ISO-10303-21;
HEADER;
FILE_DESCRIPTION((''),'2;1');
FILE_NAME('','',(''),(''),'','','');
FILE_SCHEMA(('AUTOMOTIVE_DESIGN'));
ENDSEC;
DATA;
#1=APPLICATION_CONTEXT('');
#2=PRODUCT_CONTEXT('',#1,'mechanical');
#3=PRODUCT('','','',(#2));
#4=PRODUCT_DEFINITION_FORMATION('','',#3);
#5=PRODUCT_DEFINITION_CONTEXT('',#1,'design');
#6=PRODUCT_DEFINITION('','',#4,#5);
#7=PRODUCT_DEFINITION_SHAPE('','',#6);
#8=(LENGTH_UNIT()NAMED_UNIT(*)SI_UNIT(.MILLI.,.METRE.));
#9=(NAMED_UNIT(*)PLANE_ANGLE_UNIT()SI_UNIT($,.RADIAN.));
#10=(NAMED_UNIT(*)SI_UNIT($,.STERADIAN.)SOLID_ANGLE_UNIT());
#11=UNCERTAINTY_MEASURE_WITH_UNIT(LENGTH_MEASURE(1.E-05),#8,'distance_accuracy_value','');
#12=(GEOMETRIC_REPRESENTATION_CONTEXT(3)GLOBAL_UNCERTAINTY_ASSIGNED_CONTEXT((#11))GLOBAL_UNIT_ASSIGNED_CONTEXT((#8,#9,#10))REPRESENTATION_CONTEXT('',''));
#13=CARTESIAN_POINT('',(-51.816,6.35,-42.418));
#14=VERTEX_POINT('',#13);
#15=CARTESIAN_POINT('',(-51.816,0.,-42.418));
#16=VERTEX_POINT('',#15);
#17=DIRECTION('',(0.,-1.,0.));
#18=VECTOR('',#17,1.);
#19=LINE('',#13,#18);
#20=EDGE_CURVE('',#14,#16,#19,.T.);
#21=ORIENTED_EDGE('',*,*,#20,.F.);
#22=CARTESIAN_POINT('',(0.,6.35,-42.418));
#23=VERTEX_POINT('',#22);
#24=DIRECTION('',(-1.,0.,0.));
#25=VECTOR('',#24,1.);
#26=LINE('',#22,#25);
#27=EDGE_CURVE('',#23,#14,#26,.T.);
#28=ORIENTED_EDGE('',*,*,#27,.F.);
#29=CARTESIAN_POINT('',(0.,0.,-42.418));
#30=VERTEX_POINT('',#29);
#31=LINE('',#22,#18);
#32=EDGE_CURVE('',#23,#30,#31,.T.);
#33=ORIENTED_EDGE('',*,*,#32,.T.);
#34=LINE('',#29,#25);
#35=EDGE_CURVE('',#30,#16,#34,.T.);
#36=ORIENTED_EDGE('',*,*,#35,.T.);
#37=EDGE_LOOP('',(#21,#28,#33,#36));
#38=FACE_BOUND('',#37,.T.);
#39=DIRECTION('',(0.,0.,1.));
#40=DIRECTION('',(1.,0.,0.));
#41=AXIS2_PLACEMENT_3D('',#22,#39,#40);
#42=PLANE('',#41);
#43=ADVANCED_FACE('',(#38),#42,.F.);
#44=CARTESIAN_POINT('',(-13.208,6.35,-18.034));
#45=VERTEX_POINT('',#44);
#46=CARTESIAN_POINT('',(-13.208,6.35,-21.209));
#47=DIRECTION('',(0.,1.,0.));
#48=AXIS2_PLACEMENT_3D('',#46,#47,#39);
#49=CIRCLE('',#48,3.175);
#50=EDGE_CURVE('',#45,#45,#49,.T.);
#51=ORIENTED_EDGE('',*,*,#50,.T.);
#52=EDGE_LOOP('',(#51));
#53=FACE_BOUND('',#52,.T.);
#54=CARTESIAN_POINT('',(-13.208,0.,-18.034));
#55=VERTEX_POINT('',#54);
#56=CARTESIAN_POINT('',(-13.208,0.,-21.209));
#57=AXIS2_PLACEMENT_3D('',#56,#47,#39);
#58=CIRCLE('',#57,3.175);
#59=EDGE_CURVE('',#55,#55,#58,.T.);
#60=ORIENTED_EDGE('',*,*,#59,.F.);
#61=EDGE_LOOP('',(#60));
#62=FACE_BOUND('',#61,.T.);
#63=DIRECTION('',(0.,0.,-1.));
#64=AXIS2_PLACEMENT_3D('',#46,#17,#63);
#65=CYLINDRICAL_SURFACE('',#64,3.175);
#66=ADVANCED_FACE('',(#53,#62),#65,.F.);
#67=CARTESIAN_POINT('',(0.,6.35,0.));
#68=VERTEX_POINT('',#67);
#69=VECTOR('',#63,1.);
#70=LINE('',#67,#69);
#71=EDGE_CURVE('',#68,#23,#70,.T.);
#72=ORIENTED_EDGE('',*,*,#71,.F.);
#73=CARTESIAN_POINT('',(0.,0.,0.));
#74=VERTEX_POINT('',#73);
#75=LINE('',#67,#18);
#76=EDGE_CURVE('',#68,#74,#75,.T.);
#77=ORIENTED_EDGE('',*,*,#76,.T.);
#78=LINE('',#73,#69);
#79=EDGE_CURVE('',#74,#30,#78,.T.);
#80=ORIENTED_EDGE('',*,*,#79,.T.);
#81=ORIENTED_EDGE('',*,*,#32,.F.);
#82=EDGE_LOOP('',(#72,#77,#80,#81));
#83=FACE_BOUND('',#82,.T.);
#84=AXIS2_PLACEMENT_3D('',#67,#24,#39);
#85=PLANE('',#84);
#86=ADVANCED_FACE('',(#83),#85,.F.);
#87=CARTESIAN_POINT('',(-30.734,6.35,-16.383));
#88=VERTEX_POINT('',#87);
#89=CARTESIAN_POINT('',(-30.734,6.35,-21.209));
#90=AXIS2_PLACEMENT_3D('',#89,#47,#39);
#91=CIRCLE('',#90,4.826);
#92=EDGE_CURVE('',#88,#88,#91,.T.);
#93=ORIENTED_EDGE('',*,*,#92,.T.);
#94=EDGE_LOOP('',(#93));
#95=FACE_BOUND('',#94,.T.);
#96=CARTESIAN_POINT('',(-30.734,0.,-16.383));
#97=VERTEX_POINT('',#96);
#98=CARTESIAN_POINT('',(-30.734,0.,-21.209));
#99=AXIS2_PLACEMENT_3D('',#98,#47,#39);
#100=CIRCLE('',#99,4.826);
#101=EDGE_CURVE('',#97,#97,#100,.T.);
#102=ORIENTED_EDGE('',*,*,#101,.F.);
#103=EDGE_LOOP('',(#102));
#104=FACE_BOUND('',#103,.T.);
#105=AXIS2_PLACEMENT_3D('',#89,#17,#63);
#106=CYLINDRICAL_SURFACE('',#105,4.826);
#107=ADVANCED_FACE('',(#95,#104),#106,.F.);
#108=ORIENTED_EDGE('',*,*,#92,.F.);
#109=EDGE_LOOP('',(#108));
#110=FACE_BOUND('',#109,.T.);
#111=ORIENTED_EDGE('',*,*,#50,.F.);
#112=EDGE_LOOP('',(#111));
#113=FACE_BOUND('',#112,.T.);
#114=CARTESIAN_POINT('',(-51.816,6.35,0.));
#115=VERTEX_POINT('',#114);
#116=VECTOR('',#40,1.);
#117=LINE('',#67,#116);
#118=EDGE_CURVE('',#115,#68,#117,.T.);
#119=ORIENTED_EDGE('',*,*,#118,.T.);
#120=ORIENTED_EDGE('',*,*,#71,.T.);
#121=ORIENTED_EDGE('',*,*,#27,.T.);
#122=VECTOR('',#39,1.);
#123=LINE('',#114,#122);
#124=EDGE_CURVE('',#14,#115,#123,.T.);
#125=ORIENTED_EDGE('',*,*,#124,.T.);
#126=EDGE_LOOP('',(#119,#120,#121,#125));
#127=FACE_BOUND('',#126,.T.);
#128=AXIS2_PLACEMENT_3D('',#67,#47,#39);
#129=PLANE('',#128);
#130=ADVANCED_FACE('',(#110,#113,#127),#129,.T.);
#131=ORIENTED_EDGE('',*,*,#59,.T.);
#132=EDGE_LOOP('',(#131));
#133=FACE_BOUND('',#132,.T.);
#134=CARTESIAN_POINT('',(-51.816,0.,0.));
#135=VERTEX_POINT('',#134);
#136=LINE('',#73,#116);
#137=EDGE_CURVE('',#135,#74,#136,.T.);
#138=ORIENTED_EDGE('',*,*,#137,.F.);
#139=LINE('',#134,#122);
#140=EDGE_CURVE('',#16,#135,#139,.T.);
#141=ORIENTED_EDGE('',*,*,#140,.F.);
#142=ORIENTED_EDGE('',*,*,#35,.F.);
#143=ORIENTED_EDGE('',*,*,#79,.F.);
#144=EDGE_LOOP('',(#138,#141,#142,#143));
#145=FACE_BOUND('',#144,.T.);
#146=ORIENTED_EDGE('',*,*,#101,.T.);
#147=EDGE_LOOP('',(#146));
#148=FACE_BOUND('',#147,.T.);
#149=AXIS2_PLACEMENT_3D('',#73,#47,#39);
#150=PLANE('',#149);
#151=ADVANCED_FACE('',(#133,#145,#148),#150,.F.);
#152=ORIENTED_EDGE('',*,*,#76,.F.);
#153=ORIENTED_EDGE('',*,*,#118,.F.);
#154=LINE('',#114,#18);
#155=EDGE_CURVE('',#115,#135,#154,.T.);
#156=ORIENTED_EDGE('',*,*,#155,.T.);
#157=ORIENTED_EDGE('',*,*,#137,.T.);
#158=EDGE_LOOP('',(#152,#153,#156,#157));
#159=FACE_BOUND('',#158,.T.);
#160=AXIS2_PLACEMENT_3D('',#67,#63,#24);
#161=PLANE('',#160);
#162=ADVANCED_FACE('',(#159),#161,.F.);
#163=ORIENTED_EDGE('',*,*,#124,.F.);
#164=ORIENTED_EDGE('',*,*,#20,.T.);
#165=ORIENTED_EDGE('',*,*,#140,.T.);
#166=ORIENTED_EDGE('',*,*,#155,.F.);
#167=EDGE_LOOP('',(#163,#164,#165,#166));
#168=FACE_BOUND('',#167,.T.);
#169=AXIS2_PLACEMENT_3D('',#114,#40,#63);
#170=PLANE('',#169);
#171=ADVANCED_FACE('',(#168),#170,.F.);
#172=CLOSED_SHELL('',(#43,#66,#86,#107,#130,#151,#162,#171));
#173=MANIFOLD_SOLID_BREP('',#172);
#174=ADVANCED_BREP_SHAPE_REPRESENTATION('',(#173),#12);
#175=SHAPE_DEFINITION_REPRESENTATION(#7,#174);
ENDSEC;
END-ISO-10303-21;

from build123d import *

# Parameters (mm, degrees)
SKETCH1_W           = 51.816
SKETCH1_H           = 42.418
SKETCH1_R           = 4.826
SKETCH1_R_2         = 3.175
BOSS_EXTRUDE1_DEPTH = 6.35


with BuildPart() as part:
    # Sketch1 → Boss-Extrude1 (new body)
    with BuildSketch(Plane(origin=(0, 0, 0), x_dir=(1, 0, 0), z_dir=(0, 1, 0))):
        with Locations((-25.908, 21.209)):
            Rectangle(SKETCH1_W, SKETCH1_H)
        with Locations(Location((-30.734, 21.209, 0), (0, 0, 270))):
            Circle(SKETCH1_R, mode=Mode.SUBTRACT)
        with Locations(Location((-13.208, 21.209, 0), (0, 0, 270))):
            Circle(SKETCH1_R_2, mode=Mode.SUBTRACT)
    extrude(amount=BOSS_EXTRUDE1_DEPTH)


solid = part.part
